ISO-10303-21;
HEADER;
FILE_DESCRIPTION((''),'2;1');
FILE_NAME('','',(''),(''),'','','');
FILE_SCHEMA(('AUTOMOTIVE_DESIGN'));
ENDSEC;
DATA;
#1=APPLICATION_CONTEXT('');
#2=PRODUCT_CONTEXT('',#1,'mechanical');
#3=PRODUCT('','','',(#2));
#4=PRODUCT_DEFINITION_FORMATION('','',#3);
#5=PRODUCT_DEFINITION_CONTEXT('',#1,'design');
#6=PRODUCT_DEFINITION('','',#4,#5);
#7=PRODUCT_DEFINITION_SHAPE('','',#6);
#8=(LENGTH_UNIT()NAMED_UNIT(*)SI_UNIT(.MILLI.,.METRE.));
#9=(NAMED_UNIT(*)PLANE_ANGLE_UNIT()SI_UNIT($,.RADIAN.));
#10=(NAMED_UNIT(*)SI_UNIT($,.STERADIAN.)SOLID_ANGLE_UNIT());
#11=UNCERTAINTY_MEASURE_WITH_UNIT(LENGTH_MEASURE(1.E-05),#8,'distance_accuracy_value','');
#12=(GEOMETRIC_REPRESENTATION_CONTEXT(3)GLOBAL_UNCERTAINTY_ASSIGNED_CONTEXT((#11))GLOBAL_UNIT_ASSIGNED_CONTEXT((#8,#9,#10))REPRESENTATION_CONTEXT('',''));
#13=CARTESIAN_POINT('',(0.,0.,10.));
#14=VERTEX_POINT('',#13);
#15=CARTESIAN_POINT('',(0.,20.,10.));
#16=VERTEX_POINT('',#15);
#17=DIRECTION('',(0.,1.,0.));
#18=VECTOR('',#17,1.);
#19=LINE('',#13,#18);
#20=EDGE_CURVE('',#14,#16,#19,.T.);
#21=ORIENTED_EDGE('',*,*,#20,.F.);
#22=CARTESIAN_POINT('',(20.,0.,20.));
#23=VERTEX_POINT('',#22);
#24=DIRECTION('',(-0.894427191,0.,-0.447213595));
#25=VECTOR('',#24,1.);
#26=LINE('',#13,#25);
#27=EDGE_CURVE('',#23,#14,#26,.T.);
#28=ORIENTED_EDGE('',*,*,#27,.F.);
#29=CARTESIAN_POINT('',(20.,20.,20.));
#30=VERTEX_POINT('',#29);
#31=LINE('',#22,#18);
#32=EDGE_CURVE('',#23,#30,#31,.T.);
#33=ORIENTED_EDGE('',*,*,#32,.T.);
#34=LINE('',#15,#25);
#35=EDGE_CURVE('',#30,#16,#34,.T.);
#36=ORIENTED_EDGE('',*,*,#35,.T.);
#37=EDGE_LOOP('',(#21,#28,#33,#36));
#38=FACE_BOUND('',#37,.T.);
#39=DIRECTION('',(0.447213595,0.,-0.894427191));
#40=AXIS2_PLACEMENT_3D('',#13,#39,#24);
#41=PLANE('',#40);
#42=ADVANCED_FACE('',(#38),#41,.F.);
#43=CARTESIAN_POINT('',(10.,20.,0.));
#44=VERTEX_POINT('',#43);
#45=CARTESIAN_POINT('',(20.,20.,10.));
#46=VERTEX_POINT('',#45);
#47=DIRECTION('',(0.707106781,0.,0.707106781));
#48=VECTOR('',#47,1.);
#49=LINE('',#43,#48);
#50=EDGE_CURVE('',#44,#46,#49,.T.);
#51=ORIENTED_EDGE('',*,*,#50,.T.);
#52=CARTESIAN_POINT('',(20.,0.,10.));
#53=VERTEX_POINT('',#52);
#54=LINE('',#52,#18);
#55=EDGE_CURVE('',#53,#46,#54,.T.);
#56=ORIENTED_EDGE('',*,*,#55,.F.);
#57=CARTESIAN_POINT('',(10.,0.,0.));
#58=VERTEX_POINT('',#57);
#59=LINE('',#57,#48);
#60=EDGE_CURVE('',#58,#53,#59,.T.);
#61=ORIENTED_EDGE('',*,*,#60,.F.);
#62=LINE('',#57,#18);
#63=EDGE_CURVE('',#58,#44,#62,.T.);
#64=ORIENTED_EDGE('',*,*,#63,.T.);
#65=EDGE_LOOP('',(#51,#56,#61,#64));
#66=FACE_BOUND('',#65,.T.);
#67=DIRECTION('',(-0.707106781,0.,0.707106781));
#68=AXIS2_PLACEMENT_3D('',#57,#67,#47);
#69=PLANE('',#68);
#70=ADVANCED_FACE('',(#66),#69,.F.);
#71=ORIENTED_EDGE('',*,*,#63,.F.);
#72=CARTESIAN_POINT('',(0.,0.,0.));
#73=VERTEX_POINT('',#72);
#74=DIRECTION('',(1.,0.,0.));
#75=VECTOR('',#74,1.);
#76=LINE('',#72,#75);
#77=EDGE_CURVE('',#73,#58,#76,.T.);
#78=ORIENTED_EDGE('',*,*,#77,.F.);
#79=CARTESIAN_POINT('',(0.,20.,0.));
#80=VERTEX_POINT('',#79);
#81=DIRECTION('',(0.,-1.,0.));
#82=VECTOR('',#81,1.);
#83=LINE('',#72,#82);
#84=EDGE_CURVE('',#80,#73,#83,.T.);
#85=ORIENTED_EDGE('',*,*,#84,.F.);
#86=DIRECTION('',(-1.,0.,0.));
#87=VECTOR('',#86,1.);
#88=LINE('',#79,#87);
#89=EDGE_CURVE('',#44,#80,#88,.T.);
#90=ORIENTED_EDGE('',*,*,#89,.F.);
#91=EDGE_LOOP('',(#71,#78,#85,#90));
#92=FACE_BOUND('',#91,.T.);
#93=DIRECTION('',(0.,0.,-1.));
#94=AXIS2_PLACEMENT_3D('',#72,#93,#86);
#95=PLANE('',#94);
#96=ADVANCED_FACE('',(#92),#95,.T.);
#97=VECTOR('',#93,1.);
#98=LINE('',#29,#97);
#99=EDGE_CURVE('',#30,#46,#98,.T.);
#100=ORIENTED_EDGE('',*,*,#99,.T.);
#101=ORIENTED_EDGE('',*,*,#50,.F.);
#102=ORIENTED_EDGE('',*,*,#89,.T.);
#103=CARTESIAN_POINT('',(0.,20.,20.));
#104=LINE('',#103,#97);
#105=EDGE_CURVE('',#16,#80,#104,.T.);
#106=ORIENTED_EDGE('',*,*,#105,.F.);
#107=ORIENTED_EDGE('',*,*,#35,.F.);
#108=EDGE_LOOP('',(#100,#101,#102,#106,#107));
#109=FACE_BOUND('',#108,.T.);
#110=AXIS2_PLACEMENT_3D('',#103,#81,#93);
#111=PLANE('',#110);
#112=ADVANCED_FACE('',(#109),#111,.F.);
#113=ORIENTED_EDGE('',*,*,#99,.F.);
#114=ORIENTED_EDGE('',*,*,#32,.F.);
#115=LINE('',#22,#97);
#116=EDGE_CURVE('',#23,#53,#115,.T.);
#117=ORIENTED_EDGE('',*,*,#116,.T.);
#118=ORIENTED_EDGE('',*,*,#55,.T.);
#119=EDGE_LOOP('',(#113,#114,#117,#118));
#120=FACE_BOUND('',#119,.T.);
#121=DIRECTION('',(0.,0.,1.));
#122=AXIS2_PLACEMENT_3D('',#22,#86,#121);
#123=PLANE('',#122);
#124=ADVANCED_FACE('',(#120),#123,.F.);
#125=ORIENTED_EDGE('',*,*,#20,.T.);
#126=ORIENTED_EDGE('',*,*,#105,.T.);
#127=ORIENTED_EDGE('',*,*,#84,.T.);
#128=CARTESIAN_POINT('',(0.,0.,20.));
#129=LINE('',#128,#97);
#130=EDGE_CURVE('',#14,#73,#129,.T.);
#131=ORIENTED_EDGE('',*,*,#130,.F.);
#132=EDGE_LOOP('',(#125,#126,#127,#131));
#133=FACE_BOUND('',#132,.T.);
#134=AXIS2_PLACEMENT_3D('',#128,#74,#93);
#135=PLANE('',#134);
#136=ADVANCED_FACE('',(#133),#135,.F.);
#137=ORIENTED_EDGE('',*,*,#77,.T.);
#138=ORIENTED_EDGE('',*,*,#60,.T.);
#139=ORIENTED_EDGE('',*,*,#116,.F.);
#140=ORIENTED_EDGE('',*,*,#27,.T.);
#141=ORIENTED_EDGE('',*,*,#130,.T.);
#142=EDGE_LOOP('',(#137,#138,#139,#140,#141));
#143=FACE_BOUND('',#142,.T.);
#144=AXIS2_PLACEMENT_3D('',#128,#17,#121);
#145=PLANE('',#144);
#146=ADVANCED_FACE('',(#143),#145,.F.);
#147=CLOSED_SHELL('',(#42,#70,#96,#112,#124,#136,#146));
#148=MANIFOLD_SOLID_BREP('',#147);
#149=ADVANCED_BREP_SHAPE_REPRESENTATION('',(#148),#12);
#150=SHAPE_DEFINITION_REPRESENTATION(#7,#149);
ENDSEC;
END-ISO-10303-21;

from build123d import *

# Parameters (mm, degrees)
SKETCH1_W           = 20
SKETCH1_H           = 20
BOSS_EXTRUDE1_DEPTH = 20
CUT_EXTRUDE1_DEPTH  = 20
CUT_EXTRUDE2_DEPTH  = 20


with BuildPart() as part:
    # Sketch1 → Boss-Extrude1 (new body)
    with BuildSketch(Plane.XY):
        with Locations((10, 10)):
            Rectangle(SKETCH1_W, SKETCH1_H)
    extrude(amount=BOSS_EXTRUDE1_DEPTH)

    # Sketch2 → Cut-Extrude1 (cut)
    with BuildSketch(Plane(origin=(0, 20, 0), x_dir=(1, 0, 0), z_dir=(0, 1, 0))):
        Polygon((20, 0), (10, 0), (20, -10), align=None)
    extrude(amount=-CUT_EXTRUDE1_DEPTH, mode=Mode.SUBTRACT)

    # Sketch3 → Cut-Extrude2 (cut)
    with BuildSketch(Plane(origin=(0, 20, 0), x_dir=(1, 0, 0), z_dir=(0, 1, 0))):
        Polygon((20, -20), (0, -20), (0, -10), align=None)
    extrude(amount=-CUT_EXTRUDE2_DEPTH, mode=Mode.SUBTRACT)


solid = part.part
